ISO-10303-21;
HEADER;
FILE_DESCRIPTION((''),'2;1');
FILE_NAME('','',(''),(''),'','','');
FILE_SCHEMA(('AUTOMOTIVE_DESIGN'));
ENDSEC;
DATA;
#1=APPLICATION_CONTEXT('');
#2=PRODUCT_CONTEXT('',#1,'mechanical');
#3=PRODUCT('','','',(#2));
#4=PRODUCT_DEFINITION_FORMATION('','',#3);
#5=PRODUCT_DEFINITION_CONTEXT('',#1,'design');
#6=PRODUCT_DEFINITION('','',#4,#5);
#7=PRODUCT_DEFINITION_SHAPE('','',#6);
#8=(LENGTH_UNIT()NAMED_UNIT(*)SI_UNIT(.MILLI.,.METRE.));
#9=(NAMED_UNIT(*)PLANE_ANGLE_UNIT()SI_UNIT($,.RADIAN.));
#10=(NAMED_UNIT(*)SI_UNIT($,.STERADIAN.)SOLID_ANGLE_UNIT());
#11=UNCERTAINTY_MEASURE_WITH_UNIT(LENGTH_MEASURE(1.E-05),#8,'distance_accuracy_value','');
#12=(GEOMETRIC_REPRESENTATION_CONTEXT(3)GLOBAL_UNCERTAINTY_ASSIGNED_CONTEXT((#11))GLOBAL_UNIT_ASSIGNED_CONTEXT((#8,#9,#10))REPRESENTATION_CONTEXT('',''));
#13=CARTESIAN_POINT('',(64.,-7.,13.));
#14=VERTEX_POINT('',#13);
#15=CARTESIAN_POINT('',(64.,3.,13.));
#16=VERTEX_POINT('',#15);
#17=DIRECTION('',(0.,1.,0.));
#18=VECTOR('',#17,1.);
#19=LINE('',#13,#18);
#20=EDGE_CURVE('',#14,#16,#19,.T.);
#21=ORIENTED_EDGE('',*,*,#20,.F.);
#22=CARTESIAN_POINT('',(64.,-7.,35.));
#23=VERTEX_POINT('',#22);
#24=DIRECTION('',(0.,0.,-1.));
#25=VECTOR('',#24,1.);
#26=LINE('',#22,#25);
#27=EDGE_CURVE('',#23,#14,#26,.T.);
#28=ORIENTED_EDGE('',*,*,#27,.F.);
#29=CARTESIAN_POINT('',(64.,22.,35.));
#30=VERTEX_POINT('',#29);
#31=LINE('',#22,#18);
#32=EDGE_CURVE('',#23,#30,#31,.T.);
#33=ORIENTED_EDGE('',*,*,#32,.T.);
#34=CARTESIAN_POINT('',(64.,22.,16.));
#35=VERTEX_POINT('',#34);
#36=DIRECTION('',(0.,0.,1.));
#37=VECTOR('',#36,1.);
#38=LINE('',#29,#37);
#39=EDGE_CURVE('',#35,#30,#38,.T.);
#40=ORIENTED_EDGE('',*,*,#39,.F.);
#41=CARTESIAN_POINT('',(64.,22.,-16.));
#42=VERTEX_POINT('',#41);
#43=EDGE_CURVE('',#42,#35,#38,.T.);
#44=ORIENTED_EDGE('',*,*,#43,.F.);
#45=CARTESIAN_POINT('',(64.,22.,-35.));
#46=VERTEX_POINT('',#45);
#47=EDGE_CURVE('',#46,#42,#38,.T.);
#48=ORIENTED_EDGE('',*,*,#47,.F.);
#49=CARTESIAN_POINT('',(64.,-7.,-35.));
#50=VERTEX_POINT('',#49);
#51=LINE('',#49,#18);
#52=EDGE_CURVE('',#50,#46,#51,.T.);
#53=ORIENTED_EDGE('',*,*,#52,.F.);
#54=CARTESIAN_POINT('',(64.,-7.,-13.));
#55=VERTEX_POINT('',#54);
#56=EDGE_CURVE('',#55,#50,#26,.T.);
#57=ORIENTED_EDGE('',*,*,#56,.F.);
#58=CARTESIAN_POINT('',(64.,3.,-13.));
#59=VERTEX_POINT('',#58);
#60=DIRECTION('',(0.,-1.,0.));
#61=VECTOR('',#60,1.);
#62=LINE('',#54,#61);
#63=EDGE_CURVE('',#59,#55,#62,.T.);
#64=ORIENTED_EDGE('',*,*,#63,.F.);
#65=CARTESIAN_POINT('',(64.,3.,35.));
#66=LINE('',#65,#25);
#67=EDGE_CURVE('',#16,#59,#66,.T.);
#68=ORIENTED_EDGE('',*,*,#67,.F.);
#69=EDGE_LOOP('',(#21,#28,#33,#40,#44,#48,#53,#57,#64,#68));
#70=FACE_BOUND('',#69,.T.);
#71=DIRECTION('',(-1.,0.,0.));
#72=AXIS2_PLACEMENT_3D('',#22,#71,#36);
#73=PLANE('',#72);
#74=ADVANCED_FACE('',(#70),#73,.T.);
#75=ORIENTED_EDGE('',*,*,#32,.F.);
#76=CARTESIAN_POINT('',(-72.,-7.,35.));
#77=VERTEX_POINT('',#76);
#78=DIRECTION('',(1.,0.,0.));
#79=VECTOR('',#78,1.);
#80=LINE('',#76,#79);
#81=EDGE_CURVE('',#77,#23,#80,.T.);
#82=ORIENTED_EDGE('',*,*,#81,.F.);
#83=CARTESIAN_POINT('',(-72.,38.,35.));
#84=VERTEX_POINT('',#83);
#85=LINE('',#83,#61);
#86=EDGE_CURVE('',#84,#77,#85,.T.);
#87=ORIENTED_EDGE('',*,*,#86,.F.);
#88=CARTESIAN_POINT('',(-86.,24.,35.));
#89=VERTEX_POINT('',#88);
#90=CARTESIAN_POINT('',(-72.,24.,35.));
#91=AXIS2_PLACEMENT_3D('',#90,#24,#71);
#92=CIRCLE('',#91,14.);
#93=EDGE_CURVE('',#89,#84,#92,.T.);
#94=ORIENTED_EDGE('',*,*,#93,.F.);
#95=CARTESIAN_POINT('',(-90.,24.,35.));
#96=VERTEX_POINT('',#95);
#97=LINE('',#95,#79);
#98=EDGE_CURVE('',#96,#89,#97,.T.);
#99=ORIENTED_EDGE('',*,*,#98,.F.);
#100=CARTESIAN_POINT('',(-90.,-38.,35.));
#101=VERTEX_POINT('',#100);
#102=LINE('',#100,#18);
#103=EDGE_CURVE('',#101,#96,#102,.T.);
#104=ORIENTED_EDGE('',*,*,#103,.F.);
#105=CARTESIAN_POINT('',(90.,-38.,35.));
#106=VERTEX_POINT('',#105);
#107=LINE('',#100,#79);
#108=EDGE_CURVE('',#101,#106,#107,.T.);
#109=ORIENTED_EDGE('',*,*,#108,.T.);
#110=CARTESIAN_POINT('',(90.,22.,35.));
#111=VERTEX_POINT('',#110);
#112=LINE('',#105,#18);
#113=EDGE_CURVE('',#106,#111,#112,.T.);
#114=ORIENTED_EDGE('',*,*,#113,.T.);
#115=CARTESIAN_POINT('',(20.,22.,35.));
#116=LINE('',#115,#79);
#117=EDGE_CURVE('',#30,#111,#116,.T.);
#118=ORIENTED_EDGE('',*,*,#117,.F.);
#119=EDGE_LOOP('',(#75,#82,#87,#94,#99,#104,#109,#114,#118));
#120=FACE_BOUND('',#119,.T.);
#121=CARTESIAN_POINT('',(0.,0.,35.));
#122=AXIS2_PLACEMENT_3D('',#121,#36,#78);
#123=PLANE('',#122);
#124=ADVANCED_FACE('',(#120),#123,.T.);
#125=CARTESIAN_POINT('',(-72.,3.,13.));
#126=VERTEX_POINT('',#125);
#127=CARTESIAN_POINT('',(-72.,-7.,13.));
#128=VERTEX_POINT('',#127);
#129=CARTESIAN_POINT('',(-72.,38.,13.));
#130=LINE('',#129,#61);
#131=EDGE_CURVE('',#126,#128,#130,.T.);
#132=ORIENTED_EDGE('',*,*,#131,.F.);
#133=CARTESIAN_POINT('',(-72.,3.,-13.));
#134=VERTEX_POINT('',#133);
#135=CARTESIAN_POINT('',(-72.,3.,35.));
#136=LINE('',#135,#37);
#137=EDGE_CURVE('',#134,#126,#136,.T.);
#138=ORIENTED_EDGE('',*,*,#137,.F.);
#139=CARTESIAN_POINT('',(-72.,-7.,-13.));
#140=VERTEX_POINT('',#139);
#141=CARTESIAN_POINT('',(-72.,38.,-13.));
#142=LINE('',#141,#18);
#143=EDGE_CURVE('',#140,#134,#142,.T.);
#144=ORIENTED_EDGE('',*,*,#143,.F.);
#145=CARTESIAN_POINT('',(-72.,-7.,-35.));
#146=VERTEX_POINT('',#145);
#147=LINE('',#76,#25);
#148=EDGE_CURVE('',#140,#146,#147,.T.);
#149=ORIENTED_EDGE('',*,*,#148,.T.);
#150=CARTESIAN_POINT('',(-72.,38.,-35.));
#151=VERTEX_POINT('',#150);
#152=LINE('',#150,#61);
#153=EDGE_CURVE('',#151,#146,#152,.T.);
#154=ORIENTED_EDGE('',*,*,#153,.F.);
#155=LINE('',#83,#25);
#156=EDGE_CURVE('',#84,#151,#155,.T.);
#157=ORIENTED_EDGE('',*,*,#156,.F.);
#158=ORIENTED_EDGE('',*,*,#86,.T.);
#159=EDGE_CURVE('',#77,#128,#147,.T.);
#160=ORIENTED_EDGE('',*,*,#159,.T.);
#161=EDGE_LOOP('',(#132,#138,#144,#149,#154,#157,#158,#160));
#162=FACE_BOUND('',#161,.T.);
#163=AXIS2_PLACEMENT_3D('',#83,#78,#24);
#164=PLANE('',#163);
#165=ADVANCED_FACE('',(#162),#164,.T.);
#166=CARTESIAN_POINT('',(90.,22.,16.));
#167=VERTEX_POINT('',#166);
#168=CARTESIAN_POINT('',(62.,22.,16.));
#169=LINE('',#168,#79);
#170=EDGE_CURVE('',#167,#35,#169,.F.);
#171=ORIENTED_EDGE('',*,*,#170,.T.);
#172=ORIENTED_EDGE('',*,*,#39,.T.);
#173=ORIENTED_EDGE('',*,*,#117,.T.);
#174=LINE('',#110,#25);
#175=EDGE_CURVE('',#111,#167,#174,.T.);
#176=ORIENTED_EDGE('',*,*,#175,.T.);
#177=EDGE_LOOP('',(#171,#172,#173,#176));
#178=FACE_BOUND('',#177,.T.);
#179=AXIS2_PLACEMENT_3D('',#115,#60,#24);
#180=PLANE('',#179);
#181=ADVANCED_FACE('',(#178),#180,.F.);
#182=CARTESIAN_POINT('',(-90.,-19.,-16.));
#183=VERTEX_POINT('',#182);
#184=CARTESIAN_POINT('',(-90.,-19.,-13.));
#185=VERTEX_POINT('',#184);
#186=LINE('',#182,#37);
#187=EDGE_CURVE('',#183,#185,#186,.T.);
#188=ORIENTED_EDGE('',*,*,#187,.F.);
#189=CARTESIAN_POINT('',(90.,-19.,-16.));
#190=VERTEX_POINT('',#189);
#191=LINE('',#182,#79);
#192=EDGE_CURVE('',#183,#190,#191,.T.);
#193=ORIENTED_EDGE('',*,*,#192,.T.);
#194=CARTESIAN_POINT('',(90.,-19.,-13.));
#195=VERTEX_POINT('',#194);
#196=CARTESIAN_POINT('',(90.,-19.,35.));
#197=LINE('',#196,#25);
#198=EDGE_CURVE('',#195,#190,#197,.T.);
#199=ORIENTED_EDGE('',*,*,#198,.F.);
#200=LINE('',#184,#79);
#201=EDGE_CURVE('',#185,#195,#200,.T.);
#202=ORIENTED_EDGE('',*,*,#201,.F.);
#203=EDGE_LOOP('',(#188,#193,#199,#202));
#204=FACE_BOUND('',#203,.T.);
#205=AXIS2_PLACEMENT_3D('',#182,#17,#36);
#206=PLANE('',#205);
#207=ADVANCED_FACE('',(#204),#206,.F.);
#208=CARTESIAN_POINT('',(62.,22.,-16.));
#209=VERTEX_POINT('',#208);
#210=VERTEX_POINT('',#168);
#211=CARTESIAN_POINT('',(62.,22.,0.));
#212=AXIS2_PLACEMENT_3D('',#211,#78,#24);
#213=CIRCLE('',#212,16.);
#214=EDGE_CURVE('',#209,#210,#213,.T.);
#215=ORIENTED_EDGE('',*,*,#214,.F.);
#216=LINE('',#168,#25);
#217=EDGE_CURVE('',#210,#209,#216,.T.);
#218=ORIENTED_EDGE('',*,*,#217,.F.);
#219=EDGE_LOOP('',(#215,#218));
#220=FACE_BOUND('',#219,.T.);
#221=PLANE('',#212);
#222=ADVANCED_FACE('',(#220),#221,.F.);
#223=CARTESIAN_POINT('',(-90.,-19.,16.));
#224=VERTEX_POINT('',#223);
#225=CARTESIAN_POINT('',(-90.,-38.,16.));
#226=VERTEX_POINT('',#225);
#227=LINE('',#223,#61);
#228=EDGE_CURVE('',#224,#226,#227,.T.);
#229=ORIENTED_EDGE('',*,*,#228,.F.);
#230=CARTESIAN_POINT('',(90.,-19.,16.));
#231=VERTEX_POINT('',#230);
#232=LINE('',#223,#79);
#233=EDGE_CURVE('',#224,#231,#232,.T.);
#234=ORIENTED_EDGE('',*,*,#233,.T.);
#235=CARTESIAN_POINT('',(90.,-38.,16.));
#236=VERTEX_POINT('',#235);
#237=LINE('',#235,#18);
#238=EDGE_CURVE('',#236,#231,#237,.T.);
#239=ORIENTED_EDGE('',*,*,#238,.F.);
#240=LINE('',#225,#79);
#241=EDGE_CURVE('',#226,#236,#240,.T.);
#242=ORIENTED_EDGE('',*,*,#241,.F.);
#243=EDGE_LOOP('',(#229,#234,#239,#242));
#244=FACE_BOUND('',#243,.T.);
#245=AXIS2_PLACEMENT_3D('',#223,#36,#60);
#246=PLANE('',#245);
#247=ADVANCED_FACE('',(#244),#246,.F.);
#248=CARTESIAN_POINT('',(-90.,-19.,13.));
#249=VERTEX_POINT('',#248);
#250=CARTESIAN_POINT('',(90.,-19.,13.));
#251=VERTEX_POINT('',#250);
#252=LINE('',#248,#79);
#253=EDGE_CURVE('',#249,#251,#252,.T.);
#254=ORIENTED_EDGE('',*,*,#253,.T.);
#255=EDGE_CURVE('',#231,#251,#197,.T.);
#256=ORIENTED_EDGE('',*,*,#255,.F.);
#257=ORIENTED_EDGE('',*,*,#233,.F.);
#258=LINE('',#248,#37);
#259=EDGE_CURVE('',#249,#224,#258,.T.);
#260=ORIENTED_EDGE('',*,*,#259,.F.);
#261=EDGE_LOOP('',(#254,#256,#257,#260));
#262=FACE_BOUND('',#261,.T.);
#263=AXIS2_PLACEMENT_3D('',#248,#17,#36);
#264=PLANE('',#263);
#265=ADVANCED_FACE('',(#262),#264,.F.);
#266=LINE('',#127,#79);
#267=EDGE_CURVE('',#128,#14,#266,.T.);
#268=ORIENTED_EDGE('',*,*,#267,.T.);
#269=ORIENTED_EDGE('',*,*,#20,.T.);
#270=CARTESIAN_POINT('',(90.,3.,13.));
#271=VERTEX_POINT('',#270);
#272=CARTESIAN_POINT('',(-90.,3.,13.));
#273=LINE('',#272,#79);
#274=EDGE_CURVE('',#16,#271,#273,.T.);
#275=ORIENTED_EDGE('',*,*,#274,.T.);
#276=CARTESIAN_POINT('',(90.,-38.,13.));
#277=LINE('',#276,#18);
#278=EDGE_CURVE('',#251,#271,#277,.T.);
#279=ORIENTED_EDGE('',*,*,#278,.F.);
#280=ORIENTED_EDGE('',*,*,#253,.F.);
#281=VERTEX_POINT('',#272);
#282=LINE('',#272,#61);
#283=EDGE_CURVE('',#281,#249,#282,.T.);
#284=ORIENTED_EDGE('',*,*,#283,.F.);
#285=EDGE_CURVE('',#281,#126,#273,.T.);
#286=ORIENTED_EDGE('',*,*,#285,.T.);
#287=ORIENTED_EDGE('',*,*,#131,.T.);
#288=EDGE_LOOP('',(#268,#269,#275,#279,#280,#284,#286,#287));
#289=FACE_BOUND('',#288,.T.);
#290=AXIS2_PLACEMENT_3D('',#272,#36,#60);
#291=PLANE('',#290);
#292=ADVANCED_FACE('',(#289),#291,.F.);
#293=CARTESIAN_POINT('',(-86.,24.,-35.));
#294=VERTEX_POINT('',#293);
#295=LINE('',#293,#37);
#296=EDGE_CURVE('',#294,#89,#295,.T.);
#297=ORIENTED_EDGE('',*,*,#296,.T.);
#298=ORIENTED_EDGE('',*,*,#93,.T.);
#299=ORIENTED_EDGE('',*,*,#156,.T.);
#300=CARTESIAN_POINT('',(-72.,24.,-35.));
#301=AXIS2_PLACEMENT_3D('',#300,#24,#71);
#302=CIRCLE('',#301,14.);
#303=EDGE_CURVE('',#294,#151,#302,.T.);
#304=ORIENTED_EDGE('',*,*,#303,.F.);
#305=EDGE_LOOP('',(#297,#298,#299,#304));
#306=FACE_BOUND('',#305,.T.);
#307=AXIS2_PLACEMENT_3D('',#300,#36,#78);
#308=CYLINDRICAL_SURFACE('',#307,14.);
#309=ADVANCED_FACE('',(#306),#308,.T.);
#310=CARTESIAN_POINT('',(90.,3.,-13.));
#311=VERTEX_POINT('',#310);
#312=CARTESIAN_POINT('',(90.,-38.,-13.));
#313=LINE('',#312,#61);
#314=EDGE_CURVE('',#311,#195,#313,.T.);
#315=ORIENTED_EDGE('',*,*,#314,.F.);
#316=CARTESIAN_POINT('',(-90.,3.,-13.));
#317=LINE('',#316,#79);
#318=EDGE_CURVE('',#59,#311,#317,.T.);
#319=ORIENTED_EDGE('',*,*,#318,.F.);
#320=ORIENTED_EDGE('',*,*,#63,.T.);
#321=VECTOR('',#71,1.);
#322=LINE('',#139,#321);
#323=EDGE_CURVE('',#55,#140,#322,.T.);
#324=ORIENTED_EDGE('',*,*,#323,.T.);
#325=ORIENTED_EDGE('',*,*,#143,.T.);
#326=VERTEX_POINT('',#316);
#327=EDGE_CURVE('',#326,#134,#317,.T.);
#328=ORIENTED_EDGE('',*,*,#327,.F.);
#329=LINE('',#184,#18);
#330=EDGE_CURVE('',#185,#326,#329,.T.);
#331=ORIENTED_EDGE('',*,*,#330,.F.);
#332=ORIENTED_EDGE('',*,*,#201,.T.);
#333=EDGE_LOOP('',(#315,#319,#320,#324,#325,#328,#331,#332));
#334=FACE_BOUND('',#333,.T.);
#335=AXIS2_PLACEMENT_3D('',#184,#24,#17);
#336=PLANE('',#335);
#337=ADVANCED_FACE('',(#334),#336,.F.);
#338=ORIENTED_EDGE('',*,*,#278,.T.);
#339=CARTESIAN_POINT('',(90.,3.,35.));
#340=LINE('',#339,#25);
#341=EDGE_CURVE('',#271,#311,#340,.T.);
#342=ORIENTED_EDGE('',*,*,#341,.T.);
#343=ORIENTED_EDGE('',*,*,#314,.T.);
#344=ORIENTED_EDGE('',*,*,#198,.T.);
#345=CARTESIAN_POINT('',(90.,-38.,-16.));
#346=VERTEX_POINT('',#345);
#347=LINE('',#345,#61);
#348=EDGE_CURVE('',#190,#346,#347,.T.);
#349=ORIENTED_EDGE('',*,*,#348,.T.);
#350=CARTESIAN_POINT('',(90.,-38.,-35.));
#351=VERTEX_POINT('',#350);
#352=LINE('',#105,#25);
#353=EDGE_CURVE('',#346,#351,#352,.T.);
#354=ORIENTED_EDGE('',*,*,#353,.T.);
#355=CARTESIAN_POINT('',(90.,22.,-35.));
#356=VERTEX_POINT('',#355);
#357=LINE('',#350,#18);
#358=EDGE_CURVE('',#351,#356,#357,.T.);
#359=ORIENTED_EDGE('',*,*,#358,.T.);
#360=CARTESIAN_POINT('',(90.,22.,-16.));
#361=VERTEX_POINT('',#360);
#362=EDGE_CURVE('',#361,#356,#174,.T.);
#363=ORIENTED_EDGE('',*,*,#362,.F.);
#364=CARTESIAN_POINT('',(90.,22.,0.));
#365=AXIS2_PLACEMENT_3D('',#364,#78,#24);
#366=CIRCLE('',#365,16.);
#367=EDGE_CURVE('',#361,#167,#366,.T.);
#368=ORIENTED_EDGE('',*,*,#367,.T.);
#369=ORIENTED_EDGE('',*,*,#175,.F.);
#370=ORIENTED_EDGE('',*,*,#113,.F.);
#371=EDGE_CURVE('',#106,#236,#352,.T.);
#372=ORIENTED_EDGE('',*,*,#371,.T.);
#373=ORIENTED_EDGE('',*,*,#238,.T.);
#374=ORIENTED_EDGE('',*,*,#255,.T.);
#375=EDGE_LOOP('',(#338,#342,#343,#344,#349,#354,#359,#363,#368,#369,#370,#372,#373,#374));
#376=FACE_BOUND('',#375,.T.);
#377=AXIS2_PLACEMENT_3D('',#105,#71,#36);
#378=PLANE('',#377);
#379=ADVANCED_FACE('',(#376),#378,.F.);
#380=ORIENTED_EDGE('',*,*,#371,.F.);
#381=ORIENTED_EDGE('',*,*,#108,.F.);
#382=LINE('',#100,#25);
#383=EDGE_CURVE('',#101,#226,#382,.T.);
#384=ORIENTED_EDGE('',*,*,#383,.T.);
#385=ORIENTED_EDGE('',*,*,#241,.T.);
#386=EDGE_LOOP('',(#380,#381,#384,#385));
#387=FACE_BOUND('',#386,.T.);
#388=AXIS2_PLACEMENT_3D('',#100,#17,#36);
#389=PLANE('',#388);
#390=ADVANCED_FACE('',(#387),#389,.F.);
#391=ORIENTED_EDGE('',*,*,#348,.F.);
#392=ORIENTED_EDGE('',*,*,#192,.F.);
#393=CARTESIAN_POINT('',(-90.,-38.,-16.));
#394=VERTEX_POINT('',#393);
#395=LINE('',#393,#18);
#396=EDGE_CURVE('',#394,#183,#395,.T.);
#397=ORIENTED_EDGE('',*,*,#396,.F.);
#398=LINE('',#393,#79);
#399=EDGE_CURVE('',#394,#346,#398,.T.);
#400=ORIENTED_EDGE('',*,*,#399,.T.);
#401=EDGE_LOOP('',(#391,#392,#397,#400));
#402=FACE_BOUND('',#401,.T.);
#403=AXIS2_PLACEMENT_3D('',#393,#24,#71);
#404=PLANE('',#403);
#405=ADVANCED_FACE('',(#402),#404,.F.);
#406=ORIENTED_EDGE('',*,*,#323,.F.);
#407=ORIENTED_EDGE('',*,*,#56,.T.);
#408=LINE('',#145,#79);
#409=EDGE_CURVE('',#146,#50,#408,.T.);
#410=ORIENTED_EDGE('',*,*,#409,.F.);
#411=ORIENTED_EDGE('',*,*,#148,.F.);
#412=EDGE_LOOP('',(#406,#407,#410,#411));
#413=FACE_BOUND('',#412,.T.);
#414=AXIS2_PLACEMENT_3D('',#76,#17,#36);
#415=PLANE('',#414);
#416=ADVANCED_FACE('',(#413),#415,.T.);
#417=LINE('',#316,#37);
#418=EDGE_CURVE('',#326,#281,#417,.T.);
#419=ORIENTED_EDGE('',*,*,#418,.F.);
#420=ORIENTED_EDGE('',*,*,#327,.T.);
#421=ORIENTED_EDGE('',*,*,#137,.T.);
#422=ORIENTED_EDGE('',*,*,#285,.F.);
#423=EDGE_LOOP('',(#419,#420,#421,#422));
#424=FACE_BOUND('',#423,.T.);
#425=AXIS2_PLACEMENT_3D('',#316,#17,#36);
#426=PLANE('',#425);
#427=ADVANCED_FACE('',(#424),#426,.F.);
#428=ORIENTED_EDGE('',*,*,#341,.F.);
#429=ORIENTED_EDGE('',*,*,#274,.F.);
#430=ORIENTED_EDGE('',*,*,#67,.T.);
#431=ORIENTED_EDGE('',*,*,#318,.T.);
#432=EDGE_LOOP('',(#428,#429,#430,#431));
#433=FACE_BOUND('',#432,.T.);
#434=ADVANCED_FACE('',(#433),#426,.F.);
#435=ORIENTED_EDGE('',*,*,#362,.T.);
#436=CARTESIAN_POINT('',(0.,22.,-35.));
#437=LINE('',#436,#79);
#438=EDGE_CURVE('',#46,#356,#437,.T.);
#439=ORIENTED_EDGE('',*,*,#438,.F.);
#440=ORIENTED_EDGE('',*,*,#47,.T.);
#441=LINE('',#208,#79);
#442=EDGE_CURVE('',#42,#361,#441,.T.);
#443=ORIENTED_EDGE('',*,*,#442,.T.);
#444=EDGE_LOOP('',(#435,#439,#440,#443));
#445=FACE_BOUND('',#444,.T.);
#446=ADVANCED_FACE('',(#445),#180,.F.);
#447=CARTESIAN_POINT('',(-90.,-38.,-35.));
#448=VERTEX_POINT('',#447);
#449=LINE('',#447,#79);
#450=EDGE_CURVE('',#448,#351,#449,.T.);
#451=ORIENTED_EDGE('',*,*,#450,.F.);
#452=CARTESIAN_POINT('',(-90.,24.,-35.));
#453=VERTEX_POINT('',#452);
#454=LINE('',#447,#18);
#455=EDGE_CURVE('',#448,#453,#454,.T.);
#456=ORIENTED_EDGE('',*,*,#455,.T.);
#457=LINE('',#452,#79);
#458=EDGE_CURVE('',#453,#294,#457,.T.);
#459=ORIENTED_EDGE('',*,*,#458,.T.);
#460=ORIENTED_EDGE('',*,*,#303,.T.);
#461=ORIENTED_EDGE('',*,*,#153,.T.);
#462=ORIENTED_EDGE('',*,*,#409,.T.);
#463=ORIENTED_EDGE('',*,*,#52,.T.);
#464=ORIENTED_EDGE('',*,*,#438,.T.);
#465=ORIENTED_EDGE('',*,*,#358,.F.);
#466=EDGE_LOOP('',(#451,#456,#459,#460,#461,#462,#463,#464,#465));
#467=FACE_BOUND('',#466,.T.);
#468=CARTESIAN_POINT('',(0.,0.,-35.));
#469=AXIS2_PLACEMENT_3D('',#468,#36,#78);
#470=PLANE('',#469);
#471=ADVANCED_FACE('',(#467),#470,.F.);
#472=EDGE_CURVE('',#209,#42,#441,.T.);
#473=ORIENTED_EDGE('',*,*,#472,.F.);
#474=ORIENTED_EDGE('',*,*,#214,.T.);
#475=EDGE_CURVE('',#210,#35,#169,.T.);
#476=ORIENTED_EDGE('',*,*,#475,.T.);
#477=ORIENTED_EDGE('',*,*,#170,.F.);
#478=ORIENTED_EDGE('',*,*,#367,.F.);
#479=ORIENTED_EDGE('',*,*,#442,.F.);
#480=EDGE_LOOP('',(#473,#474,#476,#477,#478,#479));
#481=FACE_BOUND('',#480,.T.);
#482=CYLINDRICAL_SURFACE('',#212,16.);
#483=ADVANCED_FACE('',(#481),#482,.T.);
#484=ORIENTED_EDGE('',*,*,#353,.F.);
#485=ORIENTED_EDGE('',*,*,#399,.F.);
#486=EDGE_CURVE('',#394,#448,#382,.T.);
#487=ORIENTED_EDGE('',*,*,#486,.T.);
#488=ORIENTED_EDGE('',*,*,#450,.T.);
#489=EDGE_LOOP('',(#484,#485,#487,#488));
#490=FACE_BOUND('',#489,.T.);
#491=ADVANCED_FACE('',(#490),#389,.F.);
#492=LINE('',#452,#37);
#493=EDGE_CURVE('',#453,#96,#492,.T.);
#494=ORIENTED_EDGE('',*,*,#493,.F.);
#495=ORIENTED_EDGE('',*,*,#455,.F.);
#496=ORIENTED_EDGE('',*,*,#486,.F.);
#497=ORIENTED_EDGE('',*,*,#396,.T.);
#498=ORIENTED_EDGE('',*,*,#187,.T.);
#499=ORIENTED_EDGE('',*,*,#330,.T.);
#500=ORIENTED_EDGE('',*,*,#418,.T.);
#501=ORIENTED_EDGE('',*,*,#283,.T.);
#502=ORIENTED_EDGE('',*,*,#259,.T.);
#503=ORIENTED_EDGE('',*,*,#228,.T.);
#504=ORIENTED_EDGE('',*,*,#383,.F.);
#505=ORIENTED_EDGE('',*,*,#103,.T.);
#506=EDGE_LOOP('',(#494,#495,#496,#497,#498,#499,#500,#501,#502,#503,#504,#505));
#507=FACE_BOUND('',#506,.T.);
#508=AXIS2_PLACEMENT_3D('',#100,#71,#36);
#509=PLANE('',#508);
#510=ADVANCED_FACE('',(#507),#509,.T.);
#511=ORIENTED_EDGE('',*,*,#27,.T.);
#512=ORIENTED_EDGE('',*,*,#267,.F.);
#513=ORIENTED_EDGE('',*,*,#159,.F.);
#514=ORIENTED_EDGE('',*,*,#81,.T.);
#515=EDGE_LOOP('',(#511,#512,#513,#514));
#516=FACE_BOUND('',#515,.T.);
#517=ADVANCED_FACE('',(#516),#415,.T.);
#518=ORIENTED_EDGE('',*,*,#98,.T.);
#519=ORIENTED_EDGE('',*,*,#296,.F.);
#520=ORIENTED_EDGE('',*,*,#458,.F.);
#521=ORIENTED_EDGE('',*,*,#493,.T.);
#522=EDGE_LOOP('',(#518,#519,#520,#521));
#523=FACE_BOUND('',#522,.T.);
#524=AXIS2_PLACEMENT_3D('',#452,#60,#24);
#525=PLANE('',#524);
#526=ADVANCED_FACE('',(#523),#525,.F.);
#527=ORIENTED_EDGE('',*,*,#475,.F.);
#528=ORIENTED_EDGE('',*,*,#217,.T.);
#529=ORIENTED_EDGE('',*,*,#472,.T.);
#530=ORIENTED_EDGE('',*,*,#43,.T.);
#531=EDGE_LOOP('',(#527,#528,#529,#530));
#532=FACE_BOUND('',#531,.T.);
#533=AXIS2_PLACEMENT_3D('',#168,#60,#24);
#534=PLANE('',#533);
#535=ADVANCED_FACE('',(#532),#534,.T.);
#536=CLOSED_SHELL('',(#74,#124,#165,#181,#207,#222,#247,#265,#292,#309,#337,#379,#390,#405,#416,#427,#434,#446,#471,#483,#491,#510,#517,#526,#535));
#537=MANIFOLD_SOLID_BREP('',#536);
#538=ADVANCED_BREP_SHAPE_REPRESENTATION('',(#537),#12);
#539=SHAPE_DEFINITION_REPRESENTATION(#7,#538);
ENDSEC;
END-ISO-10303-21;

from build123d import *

# Parameters (mm, degrees)
BOSS_EXTRUDE1_DEPTH     = 35
CUT_EXTRUDE1_DEPTH      = 1
CUT_EXTRUDE1_DEPTH_BACK = 181
CUT_EXTRUDE2_DEPTH      = 70
SKETCH9_W               = 70
SKETCH9_H               = 16
CUT_EXTRUDE4_DEPTH      = 70
BOSS_EXTRUDE2_DEPTH     = 28


with BuildPart() as part:
    # Sketch2 → Boss-Extrude1 (new body, symmetric)
    with BuildSketch(Plane.XY):
        Polygon((-72, 38), (-72, -7), (64, -7), (64, 38), (90, 38), (90, -38), (-90, -38), (-90, 38), align=None)
    extrude(amount=BOSS_EXTRUDE1_DEPTH, both=True)

    # Sketch3 → Cut-Extrude1 (cut, two sides)
    with BuildSketch(Plane(origin=(90, 0, 0), x_dir=(0, 0, -1), z_dir=(1, 0, 0))) as cut_extrude1_sk:
        Polygon((16, -38), (16, -19), (13, -19), (13, 3), (-13, 3), (-13, -19), (-16, -19), (-16, -38), align=None)
    extrude(amount=CUT_EXTRUDE1_DEPTH, mode=Mode.SUBTRACT)
    extrude(cut_extrude1_sk.sketch, amount=-CUT_EXTRUDE1_DEPTH_BACK, mode=Mode.SUBTRACT)

    # Sketch5 → Cut-Extrude2 (cut)
    with BuildSketch(Plane.XY.offset(35)):
        with BuildLine():
            Line((-90, 24), (-86, 24))
            ThreePointArc((-86, 24), (-81.899494937, 33.899494937), (-72, 38))
            Line((-72, 38), (-90, 38))
            Line((-90, 38), (-90, 24))
        make_face()
    extrude(amount=-CUT_EXTRUDE2_DEPTH, mode=Mode.SUBTRACT)

    # Sketch9 → Cut-Extrude4 (cut)
    with BuildSketch(Plane(origin=(90, 0, 0), x_dir=(0, 0, -1), z_dir=(1, 0, 0))):
        with Locations((0, 30)):
            Rectangle(SKETCH9_W, SKETCH9_H)
    extrude(amount=-CUT_EXTRUDE4_DEPTH, mode=Mode.SUBTRACT)

    # Sketch10 → Boss-Extrude2 (add)
    with BuildSketch(Plane(origin=(90, 0, 0), x_dir=(0, 0, -1), z_dir=(1, 0, 0))):
        with BuildLine():
            Line((-16, 22), (16, 22))
            ThreePointArc((16, 22), (0, 38), (-16, 22))
        make_face()
    extrude(amount=-BOSS_EXTRUDE2_DEPTH)


solid = part.part
